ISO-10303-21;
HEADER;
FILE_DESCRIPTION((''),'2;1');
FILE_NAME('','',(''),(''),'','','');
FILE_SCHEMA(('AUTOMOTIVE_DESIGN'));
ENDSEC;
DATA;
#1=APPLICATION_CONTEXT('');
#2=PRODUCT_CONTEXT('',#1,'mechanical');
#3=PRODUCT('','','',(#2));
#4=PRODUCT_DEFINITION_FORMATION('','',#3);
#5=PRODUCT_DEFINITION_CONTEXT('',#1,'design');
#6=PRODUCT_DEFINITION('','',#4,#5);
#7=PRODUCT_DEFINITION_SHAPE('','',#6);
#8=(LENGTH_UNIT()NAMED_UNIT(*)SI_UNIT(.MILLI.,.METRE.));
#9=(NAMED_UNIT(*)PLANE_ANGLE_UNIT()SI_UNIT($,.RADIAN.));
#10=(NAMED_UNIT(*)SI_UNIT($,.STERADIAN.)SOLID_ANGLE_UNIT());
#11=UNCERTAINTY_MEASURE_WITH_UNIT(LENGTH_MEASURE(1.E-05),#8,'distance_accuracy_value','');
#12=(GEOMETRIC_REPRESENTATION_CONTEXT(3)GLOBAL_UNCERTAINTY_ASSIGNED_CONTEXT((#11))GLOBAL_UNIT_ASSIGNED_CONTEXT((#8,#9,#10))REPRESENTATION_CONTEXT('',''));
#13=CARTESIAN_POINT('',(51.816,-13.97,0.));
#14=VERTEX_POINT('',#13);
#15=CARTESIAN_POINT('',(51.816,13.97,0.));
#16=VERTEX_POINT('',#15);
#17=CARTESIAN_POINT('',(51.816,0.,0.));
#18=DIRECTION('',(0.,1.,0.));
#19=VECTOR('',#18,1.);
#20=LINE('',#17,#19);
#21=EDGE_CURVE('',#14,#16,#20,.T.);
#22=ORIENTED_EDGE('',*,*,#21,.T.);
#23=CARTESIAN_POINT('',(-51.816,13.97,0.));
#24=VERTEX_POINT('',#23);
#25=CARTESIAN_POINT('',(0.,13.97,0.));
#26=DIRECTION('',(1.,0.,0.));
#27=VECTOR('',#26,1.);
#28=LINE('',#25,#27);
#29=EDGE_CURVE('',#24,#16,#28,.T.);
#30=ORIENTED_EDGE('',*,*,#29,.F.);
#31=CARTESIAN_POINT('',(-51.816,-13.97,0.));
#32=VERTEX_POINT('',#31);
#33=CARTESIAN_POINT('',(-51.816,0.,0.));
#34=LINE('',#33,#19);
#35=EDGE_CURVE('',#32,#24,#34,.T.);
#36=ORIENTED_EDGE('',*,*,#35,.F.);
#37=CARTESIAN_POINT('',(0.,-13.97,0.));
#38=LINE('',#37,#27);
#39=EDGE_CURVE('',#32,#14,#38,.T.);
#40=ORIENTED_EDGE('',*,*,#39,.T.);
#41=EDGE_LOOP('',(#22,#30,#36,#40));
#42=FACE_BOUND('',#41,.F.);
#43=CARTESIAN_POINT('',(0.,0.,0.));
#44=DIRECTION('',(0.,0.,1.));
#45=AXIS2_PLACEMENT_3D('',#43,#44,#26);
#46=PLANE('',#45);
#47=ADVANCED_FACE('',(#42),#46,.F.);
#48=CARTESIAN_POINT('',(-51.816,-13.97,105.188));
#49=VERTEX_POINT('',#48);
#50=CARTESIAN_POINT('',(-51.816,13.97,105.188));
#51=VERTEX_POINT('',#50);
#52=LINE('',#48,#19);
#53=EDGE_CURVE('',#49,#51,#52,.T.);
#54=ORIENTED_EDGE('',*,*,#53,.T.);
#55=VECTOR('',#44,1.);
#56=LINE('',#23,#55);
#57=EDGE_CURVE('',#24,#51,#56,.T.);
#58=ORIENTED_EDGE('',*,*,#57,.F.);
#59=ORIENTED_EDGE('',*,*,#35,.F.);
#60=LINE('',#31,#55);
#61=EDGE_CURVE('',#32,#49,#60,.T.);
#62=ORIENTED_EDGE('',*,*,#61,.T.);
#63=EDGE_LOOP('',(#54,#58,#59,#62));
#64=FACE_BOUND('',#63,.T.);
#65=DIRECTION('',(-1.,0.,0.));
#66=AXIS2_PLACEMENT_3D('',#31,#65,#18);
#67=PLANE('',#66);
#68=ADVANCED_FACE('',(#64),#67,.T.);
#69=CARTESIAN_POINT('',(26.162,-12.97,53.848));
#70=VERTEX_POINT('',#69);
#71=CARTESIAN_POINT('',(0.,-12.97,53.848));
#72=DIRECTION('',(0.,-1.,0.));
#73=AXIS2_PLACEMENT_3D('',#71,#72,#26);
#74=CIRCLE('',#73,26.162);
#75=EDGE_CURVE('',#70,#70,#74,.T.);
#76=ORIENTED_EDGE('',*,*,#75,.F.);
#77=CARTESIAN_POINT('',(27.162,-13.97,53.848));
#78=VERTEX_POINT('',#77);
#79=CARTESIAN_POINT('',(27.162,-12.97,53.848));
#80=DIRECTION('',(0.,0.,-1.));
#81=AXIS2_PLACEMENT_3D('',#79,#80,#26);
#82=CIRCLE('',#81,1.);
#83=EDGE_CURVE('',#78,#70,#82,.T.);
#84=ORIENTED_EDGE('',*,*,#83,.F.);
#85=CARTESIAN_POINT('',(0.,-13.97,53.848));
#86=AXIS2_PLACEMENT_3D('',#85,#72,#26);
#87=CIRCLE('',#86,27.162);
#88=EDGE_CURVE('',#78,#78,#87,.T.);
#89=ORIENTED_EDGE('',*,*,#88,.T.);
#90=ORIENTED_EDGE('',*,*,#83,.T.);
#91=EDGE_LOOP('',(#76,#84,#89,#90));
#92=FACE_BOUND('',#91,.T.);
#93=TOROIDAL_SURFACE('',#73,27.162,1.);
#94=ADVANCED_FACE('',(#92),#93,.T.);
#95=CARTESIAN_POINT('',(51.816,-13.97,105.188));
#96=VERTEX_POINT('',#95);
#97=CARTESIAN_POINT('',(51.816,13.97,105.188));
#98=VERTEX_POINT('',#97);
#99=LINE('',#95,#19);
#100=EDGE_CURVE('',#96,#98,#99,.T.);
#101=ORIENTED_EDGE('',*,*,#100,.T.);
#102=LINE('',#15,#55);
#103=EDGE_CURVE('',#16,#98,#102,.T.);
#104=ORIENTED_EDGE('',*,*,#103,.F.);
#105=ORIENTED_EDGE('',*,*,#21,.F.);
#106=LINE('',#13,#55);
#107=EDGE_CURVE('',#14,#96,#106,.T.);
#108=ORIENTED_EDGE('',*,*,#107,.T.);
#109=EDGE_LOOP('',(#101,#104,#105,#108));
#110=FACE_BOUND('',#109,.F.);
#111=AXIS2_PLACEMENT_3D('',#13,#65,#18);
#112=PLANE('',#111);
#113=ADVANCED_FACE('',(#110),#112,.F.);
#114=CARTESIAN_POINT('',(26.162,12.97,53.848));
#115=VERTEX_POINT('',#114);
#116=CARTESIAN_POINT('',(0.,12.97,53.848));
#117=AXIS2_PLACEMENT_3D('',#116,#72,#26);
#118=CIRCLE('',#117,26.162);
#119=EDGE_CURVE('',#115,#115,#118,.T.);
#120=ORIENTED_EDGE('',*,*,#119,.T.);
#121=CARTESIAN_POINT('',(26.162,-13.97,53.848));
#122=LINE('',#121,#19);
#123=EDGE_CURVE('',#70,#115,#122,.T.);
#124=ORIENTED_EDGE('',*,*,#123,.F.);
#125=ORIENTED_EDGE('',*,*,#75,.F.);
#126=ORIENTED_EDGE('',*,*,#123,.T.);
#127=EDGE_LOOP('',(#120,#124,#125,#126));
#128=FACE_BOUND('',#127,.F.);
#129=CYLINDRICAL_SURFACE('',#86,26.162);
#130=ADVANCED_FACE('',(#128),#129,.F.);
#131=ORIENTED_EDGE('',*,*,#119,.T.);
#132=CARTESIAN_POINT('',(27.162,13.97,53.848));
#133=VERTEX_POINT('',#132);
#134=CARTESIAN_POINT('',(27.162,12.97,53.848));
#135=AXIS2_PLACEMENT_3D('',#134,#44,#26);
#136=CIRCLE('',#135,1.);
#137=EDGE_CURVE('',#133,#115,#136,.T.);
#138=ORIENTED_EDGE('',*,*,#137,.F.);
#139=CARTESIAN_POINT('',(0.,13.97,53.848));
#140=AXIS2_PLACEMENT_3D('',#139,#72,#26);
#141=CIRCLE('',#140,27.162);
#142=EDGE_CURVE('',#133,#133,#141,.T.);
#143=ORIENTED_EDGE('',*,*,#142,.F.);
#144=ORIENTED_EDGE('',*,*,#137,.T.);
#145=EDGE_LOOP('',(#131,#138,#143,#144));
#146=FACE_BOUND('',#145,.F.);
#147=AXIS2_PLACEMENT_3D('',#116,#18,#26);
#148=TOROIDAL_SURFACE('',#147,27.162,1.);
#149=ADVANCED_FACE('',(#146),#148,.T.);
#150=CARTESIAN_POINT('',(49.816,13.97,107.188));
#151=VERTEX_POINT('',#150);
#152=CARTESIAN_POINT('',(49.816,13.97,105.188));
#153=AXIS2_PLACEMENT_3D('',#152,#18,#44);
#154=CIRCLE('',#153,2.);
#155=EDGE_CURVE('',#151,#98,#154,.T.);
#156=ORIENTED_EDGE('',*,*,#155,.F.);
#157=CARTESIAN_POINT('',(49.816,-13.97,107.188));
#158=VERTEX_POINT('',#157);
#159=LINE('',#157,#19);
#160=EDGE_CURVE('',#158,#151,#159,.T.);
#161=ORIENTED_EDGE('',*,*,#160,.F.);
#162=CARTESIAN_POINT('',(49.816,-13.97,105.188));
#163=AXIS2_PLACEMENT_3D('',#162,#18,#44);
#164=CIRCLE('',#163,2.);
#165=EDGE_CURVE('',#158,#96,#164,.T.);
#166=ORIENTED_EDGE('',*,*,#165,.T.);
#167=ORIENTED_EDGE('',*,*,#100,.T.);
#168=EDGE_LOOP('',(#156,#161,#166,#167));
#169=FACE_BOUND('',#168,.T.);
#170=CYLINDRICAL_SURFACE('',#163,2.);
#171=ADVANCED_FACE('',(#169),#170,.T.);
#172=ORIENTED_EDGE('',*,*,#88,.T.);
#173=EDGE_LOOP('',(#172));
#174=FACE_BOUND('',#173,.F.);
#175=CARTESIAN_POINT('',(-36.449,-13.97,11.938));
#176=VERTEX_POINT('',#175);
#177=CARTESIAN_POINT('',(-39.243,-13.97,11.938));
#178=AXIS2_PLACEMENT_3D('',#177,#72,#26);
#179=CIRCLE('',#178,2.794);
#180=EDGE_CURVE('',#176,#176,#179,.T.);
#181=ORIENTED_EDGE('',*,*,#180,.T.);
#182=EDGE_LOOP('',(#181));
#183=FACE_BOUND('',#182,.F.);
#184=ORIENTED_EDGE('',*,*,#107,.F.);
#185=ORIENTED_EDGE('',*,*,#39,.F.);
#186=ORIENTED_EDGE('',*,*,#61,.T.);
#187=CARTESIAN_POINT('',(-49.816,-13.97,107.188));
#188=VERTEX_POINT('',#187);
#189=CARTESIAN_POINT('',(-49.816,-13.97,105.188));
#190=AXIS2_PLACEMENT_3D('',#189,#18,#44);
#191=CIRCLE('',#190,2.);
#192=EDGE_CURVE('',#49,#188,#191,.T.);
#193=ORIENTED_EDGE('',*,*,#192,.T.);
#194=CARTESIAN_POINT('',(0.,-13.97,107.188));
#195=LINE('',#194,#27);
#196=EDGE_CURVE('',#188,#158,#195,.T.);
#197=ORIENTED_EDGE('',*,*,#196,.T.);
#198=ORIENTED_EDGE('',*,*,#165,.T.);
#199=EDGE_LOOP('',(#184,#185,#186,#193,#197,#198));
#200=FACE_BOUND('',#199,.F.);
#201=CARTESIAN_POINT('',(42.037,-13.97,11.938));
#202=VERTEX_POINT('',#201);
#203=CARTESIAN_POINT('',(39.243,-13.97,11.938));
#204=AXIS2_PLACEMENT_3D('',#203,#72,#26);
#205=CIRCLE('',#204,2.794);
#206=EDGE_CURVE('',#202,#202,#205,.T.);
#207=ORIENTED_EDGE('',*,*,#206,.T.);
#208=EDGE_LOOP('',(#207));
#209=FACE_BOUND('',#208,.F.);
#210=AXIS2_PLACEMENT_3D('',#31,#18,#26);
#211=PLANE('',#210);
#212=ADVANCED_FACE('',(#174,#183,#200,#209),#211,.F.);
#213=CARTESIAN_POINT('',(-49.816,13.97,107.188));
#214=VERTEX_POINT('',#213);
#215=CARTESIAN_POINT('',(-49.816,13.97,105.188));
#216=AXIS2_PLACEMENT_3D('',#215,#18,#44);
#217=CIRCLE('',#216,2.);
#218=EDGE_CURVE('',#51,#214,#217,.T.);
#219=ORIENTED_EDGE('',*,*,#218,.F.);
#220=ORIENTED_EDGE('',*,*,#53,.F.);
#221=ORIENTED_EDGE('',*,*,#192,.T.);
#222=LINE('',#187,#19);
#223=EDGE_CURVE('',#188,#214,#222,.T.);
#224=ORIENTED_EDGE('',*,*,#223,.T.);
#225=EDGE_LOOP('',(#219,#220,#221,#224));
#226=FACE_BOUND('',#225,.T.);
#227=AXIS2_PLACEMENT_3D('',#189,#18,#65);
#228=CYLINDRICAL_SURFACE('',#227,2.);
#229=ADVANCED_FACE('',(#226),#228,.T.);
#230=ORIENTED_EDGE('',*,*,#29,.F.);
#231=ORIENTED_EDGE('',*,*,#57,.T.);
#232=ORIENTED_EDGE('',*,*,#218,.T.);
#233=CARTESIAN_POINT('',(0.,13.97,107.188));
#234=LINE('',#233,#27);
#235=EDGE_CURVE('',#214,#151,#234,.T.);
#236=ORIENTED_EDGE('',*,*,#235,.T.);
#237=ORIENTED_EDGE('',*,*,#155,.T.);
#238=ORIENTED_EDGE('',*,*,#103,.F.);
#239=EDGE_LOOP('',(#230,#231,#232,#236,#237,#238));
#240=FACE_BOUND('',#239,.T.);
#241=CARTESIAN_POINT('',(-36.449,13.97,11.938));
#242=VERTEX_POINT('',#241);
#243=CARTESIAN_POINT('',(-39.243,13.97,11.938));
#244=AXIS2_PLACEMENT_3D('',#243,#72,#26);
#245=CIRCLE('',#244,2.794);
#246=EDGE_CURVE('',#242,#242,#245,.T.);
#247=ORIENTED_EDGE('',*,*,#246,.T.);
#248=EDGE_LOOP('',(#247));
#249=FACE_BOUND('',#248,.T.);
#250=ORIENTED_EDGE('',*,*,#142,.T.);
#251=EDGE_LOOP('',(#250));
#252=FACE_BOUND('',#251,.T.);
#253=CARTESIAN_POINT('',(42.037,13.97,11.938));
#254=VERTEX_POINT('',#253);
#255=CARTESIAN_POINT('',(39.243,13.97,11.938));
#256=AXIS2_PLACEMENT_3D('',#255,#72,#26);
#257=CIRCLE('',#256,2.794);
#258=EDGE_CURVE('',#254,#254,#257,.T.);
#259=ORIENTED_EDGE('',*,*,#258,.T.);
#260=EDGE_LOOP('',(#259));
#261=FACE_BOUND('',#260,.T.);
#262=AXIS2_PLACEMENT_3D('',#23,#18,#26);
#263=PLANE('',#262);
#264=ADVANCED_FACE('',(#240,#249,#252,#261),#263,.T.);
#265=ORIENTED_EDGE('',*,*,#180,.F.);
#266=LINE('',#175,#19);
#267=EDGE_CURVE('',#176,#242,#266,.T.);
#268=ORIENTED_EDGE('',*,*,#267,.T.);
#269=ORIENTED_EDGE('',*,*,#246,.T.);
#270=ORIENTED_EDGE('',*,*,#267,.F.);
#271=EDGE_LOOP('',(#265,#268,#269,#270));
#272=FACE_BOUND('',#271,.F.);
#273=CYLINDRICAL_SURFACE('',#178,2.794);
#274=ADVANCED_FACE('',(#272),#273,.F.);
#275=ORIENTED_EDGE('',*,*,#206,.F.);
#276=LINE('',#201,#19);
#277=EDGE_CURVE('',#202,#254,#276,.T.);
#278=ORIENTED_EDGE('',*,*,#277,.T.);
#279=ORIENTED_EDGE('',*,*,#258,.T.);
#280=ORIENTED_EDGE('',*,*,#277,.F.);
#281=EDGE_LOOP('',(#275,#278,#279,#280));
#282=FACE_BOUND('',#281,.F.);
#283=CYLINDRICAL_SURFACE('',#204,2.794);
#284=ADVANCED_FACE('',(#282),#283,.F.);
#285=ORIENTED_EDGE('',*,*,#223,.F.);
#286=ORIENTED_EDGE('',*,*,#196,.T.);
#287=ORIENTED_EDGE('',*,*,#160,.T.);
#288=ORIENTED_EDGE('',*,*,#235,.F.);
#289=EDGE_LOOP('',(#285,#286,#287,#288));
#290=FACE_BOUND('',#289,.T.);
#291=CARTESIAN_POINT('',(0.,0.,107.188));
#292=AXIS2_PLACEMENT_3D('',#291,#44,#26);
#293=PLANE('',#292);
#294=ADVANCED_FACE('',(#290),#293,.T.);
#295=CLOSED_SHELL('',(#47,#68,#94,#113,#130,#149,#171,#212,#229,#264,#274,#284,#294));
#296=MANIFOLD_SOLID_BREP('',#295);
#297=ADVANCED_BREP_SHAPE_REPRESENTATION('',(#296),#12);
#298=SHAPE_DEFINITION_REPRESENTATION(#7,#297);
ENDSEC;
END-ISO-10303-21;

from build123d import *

# Parameters (mm, degrees)
F0_W     = 103.632
F0_H     = 27.94
F1_DEPTH = 107.188
F2_R     = 26.162
F3_DEPTH = 27.941
F4_R     = 2.794
F5_DEPTH = 27.941
F6_R     = 1
F7_R     = 2


with BuildPart() as f1:
    # F0 (on Top) → F1 (new body)
    with BuildSketch(Plane.XY):
        Rectangle(F0_W, F0_H)
    extrude(amount=F1_DEPTH)

    # F2 (on face) → F3 (cut, through all)
    with BuildSketch(Plane.XZ.offset(13.97)):
        with Locations((0, 53.848)):
            Circle(F2_R)
    extrude(amount=-F3_DEPTH, mode=Mode.SUBTRACT)

    # F4 (on face) → F5 (cut, through all)
    with BuildSketch(Plane.XZ.offset(13.97)):
        with Locations((-39.243, 11.938)):
            Circle(F4_R)
        with Locations((39.243, 11.938)):
            Circle(F4_R)
    extrude(amount=-F5_DEPTH, mode=Mode.SUBTRACT)

    # F6
    f6_edges = [f1.edges().sort_by_distance(p)[0] for p in [
        (-26.162, -13.97, 53.848),
        (26.162, 0, 53.848),
        (-26.162, 13.97, 53.848),
    ]]
    fillet(f6_edges, radius=F6_R)

    # F7
    f7_edges = [f1.edges().sort_by_distance(p)[0] for p in [
        (51.816, 0, 107.188),
        (-51.816, 0, 107.188),
    ]]
    fillet(f7_edges, radius=F7_R)


solid = f1.part
